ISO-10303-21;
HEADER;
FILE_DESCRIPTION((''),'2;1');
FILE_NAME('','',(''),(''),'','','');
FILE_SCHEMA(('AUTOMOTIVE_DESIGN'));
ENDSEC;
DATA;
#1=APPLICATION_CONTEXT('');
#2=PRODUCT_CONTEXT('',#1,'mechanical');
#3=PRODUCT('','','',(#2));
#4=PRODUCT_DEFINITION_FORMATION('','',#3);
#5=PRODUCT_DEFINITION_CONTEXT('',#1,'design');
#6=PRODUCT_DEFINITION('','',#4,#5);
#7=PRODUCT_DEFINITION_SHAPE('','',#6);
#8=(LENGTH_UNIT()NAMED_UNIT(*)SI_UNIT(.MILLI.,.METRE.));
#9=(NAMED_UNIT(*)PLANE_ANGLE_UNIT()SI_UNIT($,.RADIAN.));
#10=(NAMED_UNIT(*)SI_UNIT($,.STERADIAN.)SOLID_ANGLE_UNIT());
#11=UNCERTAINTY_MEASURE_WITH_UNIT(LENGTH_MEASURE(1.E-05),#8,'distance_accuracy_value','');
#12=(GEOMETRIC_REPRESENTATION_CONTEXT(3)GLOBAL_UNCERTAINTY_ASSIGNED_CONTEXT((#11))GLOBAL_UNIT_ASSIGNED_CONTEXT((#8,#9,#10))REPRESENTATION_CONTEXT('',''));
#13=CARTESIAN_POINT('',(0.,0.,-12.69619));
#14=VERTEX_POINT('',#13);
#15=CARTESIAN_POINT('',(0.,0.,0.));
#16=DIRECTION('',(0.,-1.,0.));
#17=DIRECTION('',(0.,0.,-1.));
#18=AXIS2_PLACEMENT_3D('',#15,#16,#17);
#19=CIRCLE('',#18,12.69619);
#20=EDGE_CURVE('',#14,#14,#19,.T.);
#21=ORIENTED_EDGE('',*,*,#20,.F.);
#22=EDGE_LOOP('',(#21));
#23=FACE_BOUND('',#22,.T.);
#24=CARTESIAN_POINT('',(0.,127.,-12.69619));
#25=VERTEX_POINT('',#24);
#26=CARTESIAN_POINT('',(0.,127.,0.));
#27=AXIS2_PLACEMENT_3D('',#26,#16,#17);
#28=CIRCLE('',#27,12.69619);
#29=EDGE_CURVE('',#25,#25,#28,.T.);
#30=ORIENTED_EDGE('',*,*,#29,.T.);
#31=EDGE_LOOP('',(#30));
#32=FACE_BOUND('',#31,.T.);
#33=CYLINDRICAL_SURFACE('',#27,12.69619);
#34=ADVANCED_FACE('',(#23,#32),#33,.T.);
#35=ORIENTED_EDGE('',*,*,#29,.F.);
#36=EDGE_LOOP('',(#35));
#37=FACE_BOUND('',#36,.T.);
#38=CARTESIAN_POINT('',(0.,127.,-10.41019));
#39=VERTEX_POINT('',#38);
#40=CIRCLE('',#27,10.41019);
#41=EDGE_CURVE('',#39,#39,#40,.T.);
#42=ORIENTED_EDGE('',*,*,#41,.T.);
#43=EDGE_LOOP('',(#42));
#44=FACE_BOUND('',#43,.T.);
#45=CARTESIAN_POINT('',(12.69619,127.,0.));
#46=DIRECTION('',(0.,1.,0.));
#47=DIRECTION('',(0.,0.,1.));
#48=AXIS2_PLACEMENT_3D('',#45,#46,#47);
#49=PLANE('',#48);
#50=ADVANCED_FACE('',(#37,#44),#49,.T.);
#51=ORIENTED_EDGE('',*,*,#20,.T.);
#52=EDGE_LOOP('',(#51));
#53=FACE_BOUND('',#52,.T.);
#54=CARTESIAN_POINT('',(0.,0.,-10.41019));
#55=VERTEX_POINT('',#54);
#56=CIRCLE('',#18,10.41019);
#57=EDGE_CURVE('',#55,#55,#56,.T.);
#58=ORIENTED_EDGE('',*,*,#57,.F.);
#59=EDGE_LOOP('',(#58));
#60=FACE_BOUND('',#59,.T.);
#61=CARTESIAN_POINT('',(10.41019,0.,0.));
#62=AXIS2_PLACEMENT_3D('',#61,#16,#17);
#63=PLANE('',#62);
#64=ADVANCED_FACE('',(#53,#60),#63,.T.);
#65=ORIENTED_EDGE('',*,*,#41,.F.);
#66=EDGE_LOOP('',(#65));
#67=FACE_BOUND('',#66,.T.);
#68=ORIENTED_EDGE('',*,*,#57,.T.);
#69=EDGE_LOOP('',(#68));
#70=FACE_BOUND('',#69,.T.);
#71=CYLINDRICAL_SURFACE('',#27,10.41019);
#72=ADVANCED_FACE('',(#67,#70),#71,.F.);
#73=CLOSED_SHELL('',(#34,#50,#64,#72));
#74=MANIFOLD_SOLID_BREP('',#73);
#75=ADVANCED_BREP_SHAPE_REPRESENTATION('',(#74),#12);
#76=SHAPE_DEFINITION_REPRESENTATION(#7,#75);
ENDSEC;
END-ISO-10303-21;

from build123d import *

# Parameters (mm, degrees)
SKETCH1_W = 2.286
SKETCH1_H = 127


with BuildPart() as part:
    # Sketch1 → Revolve1 (revolve)
    with BuildSketch(Plane.XY, mode=Mode.PRIVATE) as revolve1_sk:
        with Locations((11.55319, 63.5)):
            Rectangle(SKETCH1_W, SKETCH1_H)
    revolve(revolve1_sk.sketch.rotate(Axis((0, 127, 0), (0, -1, 0)), 270), axis=Axis((0, 127, 0), (0, -1, 0)))


solid = part.part
